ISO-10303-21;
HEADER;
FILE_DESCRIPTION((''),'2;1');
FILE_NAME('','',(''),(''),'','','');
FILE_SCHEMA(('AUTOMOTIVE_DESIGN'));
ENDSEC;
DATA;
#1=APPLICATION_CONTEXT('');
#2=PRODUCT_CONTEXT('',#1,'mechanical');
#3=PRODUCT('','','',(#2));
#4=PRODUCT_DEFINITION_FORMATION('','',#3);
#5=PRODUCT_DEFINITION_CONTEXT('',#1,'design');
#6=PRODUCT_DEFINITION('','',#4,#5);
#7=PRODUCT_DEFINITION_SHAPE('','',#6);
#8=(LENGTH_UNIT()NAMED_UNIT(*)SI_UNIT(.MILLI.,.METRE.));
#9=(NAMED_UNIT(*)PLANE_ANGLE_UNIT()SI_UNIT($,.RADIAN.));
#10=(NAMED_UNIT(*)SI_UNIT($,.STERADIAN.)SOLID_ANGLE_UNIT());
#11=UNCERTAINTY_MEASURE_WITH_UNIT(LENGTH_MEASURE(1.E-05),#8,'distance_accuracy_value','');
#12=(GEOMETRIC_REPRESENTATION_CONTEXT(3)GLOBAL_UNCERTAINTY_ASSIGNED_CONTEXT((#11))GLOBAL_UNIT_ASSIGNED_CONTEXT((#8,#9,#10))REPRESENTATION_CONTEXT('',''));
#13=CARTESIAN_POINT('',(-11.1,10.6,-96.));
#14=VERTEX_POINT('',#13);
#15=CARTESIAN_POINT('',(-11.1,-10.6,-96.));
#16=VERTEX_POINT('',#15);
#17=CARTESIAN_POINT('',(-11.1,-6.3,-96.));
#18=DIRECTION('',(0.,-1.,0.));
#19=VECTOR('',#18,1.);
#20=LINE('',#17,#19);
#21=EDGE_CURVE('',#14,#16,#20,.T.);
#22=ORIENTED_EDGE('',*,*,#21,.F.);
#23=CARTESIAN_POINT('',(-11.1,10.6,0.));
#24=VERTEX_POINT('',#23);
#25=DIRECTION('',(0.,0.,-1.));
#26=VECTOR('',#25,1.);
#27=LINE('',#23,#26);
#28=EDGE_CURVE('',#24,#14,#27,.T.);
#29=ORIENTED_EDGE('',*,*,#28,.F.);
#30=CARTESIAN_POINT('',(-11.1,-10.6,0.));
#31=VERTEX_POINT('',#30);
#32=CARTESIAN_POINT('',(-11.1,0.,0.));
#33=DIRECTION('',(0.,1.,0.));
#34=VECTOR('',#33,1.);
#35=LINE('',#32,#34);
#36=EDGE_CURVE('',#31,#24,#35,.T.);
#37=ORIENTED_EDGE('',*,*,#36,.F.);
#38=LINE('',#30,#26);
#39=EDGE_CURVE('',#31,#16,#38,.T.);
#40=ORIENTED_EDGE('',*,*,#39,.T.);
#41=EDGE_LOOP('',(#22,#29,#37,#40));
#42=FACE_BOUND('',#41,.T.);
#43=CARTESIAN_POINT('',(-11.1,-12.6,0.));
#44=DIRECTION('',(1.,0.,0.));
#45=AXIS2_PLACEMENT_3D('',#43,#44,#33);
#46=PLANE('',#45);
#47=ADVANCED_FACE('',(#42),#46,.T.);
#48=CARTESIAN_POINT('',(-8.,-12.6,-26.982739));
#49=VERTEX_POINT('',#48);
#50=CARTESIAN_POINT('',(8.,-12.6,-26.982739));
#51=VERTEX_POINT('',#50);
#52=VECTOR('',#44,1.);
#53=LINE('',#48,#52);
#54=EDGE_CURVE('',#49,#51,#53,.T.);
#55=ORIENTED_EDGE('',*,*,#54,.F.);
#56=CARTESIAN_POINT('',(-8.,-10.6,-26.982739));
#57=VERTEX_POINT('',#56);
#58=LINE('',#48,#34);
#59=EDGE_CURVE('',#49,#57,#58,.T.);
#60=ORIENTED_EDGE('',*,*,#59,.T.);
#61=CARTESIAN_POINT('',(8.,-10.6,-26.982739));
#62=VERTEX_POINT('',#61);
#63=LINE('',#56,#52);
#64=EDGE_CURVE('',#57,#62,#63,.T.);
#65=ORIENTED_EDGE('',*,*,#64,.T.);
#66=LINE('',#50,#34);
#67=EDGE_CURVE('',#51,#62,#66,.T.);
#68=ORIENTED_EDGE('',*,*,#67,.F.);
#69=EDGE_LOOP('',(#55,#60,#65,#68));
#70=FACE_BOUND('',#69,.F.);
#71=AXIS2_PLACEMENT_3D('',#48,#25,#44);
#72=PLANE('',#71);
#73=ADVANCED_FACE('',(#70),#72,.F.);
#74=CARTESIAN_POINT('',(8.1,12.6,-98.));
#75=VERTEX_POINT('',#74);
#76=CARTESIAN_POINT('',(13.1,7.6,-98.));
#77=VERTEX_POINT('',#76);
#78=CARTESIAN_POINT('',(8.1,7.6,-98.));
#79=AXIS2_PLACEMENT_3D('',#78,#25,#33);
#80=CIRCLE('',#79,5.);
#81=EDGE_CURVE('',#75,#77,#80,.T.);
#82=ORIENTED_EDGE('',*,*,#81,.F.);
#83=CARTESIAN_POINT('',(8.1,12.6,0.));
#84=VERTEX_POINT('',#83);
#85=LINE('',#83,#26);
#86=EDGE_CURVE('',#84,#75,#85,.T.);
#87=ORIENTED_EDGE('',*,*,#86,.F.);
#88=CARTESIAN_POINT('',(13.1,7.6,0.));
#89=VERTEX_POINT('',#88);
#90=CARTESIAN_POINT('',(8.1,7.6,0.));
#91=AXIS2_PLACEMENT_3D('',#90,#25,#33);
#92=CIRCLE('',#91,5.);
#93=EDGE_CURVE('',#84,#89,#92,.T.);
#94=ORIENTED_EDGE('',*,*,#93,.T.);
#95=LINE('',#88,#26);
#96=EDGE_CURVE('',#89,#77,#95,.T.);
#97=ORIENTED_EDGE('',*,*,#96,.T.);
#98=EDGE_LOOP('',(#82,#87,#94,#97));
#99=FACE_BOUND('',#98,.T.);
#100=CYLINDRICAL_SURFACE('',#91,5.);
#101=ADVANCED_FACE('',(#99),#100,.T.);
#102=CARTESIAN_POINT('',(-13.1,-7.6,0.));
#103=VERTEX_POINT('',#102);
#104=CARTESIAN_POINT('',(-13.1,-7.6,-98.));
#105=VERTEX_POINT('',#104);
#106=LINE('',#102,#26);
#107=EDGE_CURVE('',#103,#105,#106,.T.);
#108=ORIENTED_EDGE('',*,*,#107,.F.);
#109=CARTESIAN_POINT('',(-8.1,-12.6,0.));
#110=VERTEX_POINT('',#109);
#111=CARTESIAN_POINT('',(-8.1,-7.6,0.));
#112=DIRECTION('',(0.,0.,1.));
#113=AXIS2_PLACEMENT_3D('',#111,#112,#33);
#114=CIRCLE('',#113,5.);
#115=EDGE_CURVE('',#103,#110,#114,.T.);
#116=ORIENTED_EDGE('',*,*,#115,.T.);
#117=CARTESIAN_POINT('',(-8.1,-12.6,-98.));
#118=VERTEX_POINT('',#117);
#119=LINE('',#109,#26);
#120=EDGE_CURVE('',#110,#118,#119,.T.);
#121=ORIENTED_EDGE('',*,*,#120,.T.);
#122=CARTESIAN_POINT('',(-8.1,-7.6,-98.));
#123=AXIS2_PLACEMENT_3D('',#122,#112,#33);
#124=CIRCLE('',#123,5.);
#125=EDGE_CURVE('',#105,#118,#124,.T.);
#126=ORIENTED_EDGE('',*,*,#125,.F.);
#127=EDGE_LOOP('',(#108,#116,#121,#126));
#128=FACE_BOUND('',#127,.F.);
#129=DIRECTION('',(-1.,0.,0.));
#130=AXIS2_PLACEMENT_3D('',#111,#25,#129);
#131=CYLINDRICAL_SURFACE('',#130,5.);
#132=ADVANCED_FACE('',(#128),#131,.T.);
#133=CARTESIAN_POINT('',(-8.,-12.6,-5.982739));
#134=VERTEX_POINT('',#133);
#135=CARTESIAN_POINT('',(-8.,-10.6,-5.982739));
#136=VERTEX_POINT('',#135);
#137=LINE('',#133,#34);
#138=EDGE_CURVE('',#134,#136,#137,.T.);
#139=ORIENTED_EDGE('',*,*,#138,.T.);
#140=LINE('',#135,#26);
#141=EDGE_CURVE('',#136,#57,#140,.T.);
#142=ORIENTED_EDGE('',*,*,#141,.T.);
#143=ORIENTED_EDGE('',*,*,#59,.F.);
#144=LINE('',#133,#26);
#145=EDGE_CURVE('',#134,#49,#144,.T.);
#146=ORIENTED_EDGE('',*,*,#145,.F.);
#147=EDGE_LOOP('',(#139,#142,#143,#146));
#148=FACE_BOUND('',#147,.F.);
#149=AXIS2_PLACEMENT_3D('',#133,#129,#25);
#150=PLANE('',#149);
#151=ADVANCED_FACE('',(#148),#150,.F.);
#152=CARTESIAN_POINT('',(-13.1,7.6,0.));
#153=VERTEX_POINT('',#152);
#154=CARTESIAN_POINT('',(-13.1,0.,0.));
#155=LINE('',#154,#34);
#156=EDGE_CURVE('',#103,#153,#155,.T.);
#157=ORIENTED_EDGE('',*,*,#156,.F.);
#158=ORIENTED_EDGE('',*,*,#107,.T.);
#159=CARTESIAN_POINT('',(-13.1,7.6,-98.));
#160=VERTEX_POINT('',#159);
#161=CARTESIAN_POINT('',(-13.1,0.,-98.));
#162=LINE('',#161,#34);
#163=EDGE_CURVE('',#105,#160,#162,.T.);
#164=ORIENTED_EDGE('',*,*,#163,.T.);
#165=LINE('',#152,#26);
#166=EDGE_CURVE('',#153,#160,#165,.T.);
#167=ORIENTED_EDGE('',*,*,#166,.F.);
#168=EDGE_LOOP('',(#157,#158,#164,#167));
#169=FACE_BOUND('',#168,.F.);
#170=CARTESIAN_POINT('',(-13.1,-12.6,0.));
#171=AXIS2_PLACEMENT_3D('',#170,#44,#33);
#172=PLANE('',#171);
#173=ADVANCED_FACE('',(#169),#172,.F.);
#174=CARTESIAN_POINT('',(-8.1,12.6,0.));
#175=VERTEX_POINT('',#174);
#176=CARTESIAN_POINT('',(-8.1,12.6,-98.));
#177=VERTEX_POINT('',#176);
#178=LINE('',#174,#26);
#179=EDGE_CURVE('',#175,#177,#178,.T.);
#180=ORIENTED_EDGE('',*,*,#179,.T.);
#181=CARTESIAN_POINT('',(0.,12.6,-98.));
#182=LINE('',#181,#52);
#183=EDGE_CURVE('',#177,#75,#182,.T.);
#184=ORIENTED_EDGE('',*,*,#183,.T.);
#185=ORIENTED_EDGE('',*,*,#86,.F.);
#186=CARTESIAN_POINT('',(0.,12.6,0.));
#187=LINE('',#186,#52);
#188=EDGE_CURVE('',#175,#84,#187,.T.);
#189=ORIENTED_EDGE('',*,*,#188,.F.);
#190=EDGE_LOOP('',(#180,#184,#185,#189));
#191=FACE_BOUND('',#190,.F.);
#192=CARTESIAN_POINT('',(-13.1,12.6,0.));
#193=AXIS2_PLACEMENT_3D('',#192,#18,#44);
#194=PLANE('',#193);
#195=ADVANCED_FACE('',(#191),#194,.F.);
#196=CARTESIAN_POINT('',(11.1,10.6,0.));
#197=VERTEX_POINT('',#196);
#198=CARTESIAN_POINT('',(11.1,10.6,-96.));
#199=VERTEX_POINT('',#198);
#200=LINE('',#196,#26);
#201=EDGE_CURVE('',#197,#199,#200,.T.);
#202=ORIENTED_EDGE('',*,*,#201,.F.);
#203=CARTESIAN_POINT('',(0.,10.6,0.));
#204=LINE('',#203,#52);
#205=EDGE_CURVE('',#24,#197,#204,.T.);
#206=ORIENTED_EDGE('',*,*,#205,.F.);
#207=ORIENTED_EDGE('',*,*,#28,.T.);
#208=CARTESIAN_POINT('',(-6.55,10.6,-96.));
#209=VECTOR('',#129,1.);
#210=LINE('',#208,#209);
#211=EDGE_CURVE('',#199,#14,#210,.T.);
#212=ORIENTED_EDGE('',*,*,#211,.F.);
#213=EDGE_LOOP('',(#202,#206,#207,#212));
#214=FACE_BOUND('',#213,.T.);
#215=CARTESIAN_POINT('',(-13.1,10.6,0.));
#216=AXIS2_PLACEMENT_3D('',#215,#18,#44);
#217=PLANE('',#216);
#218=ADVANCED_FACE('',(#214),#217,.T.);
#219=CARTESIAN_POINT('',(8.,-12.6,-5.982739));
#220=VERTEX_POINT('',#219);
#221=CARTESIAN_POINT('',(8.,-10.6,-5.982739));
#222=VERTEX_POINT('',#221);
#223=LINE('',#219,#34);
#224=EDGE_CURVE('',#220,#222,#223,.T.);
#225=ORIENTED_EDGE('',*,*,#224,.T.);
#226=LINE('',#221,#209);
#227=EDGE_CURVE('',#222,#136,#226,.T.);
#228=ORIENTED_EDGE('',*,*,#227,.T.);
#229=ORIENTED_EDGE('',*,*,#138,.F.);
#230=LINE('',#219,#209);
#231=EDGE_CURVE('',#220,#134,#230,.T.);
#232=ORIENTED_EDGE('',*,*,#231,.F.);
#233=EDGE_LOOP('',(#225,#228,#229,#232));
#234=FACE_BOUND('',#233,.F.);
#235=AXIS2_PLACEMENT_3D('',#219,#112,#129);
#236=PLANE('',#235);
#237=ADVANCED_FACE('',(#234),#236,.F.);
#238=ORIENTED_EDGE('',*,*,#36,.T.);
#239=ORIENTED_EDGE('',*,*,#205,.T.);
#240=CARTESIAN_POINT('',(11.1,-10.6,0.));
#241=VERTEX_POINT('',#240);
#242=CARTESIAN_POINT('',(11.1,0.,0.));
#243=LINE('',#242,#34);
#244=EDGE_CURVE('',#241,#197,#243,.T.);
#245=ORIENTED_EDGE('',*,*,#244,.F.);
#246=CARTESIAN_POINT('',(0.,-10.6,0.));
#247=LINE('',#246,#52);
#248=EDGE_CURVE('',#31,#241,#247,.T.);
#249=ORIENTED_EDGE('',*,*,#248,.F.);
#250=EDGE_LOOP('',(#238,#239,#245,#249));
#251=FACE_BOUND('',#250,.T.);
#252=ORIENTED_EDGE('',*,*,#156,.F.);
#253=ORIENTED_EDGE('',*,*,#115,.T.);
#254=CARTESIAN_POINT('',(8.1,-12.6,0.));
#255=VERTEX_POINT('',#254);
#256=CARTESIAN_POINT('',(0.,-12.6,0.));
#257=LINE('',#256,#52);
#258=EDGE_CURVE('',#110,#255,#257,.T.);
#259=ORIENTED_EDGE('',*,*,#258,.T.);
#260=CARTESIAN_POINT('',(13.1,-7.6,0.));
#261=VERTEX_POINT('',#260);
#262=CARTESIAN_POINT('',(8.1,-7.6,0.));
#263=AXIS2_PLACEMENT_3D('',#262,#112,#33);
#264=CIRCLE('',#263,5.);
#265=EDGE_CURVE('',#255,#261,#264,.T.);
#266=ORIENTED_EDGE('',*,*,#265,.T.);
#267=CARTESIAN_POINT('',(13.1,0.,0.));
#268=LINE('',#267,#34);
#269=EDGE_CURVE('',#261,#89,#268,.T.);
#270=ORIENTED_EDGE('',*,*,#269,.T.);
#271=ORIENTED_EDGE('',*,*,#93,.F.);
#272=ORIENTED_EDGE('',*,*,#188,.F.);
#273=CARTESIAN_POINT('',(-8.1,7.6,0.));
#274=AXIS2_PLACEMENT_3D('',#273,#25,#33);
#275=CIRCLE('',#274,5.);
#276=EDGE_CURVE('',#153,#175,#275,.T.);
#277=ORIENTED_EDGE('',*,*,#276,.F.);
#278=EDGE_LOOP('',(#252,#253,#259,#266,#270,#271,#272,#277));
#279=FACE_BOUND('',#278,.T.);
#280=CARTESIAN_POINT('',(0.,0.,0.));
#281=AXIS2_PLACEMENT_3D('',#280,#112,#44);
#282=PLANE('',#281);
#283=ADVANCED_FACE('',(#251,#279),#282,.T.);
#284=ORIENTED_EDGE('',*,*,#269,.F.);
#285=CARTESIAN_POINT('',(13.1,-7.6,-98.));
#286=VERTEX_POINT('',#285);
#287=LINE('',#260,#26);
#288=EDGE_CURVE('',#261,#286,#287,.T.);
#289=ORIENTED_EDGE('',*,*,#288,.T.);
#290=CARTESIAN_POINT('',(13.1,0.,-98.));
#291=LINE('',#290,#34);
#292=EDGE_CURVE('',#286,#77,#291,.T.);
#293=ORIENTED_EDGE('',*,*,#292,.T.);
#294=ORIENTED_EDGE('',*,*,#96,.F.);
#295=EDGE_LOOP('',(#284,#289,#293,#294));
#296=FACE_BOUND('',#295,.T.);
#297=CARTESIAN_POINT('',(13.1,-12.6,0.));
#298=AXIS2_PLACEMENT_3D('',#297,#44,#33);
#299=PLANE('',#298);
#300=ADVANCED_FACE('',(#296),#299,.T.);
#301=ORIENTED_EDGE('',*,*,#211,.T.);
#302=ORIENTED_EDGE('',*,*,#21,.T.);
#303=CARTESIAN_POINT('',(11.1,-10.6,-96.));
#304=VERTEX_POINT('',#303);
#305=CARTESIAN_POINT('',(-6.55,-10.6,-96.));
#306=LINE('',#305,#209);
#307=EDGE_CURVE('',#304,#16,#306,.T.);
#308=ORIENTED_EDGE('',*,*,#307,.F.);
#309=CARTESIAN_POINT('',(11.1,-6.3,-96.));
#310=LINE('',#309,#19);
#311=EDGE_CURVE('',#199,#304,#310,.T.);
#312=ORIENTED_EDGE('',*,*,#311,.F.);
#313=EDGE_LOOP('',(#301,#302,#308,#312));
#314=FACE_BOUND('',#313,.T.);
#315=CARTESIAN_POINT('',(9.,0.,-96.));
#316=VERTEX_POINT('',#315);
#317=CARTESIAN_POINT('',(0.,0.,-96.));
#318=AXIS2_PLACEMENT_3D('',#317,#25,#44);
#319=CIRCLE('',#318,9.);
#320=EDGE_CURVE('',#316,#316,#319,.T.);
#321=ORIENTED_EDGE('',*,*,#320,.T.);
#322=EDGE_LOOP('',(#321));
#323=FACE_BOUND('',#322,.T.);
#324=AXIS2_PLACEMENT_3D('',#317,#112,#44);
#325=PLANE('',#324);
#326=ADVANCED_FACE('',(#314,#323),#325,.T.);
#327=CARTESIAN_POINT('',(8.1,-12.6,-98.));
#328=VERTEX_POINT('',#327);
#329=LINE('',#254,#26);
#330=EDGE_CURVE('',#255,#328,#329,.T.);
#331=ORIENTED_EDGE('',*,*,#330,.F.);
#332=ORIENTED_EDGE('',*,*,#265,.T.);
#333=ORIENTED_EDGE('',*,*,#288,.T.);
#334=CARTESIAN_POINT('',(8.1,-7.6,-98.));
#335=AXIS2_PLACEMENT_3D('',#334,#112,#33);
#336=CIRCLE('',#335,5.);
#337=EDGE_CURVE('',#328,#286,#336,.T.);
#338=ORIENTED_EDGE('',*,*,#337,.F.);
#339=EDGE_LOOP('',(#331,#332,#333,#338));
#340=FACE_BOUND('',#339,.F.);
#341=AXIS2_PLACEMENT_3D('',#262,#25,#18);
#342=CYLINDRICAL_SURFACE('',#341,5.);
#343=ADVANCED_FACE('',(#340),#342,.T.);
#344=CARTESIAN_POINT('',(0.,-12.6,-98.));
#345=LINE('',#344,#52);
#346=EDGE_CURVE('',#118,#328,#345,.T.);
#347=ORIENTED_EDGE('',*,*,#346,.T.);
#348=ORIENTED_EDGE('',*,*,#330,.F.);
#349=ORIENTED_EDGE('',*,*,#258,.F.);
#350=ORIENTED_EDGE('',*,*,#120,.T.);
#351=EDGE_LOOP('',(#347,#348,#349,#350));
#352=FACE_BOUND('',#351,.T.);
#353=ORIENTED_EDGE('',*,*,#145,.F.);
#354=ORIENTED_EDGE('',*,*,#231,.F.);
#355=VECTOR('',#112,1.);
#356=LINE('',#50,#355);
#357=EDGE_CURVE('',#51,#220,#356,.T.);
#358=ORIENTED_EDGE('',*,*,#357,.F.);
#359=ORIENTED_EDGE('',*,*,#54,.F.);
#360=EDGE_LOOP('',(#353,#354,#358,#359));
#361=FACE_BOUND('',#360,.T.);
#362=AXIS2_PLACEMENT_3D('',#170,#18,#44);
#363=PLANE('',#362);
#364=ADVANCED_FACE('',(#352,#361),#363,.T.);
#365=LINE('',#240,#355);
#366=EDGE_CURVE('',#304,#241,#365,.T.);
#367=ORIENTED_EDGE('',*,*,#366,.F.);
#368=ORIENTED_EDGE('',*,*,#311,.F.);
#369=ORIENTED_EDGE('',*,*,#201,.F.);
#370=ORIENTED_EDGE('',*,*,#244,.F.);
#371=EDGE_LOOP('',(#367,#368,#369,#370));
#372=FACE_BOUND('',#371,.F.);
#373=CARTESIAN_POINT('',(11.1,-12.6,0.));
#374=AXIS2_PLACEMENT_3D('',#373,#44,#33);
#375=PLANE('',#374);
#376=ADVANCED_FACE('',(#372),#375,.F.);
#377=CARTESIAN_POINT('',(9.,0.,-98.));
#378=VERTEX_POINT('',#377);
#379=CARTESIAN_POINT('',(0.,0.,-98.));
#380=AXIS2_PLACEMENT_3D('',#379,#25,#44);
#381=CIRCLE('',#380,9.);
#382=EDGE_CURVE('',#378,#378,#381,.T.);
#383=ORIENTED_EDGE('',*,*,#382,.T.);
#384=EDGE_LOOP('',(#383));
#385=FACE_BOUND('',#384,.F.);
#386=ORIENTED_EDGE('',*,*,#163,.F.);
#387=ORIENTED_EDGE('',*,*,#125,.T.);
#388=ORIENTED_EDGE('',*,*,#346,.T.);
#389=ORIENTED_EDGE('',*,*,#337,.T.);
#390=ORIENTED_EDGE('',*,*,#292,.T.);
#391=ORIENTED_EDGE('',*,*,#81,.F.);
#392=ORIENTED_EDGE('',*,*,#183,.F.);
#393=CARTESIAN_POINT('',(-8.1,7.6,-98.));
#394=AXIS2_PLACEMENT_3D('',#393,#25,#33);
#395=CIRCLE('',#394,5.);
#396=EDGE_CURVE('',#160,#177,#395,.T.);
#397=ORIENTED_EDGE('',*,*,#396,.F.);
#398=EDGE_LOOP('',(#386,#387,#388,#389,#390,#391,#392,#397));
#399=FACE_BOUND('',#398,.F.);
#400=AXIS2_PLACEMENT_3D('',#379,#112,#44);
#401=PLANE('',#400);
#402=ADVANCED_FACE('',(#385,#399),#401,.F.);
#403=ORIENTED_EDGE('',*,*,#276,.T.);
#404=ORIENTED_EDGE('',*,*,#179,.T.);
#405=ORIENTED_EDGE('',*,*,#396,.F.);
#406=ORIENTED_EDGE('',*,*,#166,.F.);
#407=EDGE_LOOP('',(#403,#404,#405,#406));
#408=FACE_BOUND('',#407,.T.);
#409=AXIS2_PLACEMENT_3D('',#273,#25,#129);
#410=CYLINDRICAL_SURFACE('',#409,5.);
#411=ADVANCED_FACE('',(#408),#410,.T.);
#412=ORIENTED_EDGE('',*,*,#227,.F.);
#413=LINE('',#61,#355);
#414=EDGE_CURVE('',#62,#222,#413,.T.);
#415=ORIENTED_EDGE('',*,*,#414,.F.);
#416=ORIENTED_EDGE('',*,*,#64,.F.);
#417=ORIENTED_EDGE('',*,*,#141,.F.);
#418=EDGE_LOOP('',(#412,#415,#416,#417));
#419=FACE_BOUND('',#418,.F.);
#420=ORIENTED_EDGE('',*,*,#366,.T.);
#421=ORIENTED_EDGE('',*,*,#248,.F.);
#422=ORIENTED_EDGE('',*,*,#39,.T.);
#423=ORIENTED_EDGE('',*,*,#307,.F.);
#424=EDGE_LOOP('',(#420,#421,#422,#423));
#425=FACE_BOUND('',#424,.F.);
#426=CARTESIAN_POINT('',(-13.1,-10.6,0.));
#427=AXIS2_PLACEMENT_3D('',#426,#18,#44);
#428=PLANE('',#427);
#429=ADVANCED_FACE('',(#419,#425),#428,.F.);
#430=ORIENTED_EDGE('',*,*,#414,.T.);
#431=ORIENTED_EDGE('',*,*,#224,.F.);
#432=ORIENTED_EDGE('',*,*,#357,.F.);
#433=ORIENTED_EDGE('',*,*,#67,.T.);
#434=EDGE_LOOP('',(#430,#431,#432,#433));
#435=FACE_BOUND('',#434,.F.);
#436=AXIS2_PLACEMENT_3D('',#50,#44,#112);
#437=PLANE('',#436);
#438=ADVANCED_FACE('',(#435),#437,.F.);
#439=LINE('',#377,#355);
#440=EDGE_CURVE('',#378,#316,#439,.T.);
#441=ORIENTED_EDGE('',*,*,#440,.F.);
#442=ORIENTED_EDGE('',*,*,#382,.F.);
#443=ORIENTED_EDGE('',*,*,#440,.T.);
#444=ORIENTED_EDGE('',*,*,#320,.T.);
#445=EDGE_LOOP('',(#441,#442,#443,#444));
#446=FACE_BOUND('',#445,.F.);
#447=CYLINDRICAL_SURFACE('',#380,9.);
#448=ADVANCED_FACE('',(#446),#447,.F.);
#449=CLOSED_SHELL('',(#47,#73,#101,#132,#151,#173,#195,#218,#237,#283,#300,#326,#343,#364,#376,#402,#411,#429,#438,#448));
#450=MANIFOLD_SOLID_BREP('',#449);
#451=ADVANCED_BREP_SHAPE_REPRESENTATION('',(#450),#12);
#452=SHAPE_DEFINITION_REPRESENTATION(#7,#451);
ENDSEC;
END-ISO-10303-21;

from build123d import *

# Parameters (mm, degrees)
F0_W     = 26.2
F0_H     = 25.2
F1_DEPTH = 98
F2_T     = -2
F3_R     = 9
F4_DEPTH = 2
F7_DEPTH = 2
F8_R     = 5


with BuildPart() as f1:
    # F0 (on Top) → F1 (new body)
    with BuildSketch(Plane.XY):
        Rectangle(F0_W, F0_H)
    extrude(amount=-F1_DEPTH)

    # F2
    f2_openings = [f1.faces().sort_by_distance(p)[0] for p in [
        (0, 0, 0),
    ]]
    offset(amount=F2_T, openings=f2_openings)

    # F3 (on face) → F4 (cut)
    with BuildSketch(Plane(origin=(0, 0, -98), x_dir=(1, 0, 0), z_dir=(0, 0, -1))):
        Circle(F3_R)
    extrude(amount=-F4_DEPTH, mode=Mode.SUBTRACT)

    # F6 (on face) → F7 (cut)
    with BuildSketch(Plane.XZ.offset(12.6)):
        Polygon((-8, -26.982739), (8, -26.982739), (8, -5.982739), (0, -5.982739), (-8, -5.982739), align=None)
    extrude(amount=-F7_DEPTH, mode=Mode.SUBTRACT)

    # F8
    f8_edges = [f1.edges().sort_by_distance(p)[0] for p in [
        (13.1, -12.6, -49),
        (-13.1, -12.6, -49),
        (-13.1, 12.6, -49),
        (13.1, 12.6, -49),
    ]]
    fillet(f8_edges, radius=F8_R)


solid = f1.part
